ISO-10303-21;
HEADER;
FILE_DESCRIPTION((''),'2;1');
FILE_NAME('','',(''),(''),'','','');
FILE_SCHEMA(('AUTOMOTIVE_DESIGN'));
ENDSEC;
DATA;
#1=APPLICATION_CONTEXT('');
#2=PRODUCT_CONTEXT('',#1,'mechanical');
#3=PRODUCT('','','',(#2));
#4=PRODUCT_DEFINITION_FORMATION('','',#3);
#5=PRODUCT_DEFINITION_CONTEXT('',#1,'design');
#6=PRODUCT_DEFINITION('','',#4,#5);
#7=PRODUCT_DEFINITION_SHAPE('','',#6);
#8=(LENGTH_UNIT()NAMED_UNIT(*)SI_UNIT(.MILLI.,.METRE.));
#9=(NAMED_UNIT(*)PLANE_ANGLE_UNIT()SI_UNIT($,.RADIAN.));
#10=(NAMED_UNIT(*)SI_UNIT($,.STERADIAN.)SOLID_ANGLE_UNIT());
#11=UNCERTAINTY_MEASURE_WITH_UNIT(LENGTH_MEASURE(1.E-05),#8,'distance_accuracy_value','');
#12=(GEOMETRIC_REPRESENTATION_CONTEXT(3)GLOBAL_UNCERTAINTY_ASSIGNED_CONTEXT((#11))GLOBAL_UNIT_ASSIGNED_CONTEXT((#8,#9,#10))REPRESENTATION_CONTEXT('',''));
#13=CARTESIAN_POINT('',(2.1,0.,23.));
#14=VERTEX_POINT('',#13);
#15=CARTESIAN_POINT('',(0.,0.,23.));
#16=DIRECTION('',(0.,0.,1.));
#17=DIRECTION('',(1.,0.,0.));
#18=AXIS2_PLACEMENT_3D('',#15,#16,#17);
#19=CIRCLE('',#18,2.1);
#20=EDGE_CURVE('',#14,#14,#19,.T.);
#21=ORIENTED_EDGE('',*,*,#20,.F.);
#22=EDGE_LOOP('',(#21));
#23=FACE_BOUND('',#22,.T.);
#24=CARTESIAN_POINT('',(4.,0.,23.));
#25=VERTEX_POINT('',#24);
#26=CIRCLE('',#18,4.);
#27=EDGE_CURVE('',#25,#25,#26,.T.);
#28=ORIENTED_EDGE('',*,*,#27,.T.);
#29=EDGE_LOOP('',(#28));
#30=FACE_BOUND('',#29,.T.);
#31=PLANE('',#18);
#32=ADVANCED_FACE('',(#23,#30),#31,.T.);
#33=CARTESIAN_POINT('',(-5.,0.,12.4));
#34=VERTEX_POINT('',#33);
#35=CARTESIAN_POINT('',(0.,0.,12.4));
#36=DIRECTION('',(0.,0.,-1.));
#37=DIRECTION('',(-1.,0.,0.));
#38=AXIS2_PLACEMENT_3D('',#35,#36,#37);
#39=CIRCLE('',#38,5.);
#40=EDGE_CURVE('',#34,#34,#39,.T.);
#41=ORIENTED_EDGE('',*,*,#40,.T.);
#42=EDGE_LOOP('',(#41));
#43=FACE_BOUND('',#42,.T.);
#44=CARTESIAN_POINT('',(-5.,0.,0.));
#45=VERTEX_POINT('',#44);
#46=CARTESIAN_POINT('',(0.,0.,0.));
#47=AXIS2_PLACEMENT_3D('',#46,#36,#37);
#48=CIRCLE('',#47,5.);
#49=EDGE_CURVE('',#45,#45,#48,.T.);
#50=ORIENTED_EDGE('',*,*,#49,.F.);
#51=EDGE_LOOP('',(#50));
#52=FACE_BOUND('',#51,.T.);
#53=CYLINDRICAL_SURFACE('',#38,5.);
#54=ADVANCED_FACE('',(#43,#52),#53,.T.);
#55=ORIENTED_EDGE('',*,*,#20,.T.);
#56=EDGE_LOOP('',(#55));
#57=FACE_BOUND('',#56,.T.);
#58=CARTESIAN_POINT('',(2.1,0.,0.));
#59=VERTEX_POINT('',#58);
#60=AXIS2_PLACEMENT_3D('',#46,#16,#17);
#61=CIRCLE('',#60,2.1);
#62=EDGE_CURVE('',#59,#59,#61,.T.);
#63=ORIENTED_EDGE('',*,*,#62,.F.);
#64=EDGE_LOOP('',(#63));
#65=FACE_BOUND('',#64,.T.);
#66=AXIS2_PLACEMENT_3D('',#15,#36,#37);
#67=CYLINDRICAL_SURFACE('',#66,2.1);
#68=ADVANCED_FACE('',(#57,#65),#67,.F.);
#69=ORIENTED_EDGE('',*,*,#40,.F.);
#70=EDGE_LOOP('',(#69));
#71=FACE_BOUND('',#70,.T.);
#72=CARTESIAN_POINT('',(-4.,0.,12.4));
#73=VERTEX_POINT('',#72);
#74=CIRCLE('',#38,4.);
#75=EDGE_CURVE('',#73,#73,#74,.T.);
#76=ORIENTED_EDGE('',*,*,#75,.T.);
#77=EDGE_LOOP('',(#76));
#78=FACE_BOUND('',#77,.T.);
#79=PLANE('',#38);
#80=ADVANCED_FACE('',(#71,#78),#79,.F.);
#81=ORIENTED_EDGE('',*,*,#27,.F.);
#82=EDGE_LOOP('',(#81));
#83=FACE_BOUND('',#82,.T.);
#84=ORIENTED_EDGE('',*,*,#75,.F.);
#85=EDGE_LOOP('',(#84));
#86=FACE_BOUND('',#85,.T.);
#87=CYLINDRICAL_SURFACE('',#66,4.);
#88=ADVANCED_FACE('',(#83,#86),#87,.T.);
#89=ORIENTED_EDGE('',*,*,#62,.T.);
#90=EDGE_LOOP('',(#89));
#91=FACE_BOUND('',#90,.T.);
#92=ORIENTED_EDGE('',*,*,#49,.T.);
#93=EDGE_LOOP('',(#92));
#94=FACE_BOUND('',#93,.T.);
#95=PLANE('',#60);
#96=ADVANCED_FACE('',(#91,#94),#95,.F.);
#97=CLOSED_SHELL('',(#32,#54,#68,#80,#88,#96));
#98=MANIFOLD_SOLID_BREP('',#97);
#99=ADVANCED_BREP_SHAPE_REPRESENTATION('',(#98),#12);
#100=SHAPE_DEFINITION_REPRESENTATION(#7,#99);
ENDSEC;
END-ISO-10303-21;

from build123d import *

# Parameters (mm, degrees)
SKETCH2_R           = 4
SKETCH2_R_2         = 2.1
BOSS_EXTRUDE1_DEPTH = 23
SKETCH3_R           = 5
SKETCH3_R_2         = 4
BOSS_EXTRUDE2_DEPTH = 12.4


with BuildPart() as part:
    # Sketch2 → Boss-Extrude1 (new body)
    with BuildSketch(Plane.XY):
        Circle(SKETCH2_R)
        Circle(SKETCH2_R_2, mode=Mode.SUBTRACT)
    extrude(amount=BOSS_EXTRUDE1_DEPTH)

    # Sketch3 → Boss-Extrude2 (add)
    with BuildSketch(Plane(origin=(0, 0, 0), x_dir=(-1, 0, 0), z_dir=(0, 0, -1))):
        Circle(SKETCH3_R)
        Circle(SKETCH3_R_2, mode=Mode.SUBTRACT)
    extrude(amount=-BOSS_EXTRUDE2_DEPTH)


solid = part.part
